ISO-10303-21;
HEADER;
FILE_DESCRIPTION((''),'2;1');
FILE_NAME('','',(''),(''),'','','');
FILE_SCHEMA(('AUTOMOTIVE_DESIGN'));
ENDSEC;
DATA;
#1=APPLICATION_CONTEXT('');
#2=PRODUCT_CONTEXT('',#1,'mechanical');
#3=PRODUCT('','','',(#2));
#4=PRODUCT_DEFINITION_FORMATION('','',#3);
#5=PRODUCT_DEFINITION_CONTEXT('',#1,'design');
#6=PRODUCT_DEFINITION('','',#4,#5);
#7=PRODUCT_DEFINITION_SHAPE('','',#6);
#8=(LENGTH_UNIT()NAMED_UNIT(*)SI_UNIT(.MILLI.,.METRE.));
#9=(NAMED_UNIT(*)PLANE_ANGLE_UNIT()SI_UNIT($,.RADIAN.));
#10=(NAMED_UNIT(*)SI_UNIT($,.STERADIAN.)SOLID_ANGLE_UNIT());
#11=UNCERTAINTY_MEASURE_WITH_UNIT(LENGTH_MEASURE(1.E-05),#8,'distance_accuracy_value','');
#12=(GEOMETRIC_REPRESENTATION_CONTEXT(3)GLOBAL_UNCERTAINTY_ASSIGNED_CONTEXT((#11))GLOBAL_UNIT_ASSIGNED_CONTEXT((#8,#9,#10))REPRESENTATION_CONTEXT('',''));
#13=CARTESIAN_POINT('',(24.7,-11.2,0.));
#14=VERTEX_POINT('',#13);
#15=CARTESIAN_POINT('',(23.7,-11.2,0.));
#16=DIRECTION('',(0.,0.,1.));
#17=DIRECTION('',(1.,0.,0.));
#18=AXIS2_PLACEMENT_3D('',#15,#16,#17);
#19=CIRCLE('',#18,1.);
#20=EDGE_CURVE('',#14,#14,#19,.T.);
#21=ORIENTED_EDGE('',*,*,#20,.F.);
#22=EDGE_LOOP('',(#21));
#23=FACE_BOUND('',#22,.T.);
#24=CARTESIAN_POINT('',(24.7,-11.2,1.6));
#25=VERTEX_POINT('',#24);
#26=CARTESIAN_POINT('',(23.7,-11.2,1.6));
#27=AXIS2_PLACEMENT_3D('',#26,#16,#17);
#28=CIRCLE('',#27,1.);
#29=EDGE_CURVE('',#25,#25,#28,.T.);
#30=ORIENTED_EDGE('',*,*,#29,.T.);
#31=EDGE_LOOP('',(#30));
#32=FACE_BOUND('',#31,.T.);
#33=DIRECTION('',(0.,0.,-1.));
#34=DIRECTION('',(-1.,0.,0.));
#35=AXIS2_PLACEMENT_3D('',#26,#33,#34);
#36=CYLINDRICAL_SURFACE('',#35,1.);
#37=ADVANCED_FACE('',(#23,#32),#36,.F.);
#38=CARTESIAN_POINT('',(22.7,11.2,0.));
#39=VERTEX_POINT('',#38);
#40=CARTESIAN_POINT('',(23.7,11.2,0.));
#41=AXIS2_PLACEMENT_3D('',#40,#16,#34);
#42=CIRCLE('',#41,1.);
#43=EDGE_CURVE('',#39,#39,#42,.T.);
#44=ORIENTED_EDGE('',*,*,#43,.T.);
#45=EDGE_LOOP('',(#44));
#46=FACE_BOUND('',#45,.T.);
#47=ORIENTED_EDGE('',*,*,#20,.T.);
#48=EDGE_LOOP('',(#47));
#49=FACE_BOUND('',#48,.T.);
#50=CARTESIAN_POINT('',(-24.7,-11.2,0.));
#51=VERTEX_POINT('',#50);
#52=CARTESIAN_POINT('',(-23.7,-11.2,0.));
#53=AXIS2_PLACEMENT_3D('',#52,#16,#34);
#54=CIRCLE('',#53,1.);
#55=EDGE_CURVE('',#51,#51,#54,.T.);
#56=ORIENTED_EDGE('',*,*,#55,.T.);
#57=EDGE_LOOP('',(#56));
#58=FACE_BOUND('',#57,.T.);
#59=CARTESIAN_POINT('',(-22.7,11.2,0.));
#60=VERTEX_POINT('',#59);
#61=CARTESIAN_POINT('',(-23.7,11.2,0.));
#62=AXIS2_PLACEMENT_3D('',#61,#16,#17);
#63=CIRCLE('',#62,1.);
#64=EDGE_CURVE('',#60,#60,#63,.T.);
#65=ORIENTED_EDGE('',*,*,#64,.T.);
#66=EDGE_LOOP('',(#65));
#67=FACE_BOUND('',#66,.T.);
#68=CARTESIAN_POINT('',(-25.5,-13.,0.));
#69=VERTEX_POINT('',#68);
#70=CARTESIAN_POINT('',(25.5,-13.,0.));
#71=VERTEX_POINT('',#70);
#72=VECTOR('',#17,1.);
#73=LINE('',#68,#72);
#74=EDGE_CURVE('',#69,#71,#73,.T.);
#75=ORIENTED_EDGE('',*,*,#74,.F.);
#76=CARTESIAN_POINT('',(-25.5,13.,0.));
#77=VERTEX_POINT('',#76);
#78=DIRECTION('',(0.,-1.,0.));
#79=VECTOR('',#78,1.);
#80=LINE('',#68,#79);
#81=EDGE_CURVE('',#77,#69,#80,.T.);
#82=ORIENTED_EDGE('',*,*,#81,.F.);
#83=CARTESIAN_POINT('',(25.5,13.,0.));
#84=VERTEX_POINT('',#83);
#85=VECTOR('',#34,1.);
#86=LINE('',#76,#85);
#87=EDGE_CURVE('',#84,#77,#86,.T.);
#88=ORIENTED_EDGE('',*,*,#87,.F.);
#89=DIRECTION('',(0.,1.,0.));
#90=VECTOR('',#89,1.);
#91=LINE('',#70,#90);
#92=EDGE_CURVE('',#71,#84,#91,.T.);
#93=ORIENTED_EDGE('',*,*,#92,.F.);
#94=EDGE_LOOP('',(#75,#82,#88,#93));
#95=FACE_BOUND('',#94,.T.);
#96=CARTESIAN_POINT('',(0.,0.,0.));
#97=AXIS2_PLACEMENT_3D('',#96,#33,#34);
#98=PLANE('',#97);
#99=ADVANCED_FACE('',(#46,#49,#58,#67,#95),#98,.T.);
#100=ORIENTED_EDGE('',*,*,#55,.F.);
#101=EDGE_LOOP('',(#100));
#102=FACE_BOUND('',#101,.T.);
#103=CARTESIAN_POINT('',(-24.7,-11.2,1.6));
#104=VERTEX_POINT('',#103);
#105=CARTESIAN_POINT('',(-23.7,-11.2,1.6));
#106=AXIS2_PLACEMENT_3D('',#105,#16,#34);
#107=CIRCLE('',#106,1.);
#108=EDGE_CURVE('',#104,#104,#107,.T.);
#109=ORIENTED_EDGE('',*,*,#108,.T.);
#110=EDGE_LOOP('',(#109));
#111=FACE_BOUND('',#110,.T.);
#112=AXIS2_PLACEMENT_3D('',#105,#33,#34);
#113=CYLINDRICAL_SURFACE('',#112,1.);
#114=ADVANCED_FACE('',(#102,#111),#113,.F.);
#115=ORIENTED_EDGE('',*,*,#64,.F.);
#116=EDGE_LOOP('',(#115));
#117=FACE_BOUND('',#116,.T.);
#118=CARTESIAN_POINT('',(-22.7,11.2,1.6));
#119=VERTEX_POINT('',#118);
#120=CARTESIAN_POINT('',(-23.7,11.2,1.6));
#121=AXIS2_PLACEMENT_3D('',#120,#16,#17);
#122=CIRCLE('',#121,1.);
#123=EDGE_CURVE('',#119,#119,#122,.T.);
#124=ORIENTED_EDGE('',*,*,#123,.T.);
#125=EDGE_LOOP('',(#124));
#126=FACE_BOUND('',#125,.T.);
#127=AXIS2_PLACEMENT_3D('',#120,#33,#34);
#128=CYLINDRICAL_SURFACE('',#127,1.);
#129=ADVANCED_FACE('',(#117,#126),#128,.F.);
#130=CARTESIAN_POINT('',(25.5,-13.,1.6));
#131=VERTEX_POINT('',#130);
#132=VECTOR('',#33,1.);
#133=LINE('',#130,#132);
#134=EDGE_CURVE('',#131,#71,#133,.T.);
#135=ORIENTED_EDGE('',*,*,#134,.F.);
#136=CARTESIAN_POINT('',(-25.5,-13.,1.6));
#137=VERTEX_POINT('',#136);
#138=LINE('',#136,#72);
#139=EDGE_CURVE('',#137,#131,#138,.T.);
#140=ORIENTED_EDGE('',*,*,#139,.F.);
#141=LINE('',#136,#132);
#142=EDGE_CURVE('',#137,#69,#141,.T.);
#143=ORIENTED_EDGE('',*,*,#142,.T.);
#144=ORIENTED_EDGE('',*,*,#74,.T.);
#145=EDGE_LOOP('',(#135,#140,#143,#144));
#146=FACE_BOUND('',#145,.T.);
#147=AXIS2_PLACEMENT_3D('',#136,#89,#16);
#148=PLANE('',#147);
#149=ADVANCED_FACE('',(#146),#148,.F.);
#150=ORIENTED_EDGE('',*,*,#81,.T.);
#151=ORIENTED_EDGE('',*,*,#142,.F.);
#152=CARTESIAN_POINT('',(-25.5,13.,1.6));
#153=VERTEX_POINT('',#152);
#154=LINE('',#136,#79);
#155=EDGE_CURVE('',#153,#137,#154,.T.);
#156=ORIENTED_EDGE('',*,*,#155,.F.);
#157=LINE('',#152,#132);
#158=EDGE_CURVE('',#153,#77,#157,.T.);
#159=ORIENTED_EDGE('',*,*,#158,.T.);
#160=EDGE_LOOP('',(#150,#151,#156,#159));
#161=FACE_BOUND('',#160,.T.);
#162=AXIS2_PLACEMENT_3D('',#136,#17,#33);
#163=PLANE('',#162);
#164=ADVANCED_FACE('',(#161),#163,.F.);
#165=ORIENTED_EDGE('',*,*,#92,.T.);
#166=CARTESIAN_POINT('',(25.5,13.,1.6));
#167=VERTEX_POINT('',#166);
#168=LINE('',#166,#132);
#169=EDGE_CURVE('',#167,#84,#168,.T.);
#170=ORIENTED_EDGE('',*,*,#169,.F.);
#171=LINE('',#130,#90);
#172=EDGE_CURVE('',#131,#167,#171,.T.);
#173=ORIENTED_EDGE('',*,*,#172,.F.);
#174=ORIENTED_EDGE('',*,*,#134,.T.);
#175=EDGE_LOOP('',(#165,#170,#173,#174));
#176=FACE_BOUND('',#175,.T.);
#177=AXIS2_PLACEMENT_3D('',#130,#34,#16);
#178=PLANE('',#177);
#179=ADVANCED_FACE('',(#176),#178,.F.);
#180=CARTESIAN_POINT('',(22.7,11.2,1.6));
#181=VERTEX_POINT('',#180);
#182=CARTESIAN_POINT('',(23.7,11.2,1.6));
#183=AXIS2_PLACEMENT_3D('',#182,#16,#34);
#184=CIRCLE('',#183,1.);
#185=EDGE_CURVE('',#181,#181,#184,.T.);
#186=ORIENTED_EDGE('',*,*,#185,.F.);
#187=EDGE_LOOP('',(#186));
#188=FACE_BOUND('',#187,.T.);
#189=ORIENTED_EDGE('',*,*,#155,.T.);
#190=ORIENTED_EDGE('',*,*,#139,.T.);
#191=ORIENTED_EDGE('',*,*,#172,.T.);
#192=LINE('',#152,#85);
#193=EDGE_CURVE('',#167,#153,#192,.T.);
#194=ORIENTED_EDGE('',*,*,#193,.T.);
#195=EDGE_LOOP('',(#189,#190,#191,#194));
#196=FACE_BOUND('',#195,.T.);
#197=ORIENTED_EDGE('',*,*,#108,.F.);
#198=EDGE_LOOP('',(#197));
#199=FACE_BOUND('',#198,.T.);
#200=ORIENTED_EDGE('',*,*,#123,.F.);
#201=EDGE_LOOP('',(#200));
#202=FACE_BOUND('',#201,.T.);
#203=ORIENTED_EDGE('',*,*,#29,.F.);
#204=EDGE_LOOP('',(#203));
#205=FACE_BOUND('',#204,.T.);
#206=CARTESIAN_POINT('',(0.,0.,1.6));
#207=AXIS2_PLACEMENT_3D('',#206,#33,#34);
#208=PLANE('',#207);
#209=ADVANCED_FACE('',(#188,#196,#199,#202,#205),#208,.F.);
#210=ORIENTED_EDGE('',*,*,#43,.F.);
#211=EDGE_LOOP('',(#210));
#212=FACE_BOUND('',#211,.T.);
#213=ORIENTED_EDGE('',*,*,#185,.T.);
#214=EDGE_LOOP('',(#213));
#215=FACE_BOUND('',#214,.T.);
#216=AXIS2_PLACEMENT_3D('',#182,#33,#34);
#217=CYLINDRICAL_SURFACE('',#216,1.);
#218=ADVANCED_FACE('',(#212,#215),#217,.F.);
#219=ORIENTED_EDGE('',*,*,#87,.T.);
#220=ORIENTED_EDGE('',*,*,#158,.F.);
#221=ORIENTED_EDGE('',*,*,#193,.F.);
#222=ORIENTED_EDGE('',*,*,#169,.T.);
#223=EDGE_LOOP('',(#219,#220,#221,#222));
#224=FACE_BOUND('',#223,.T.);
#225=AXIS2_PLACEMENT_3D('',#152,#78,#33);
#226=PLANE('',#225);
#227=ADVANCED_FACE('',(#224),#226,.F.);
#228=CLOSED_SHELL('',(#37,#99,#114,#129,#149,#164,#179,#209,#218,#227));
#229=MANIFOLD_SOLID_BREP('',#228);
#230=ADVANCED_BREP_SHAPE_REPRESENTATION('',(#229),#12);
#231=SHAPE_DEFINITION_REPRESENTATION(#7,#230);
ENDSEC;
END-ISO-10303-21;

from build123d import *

# Parameters (mm, degrees)
SKETCH1_W           = 51
SKETCH1_H           = 26
SKETCH1_R           = 1
BOSS_EXTRUDE1_DEPTH = 1.6


with BuildPart() as part:
    # Sketch1 → Boss-Extrude1 (new body)
    with BuildSketch(Plane.XY):
        Rectangle(SKETCH1_W, SKETCH1_H)
        with Locations((-23.7, 11.2)):
            Circle(SKETCH1_R, mode=Mode.SUBTRACT)
        with Locations((-23.7, -11.2)):
            Circle(SKETCH1_R, mode=Mode.SUBTRACT)
        with Locations((23.7, -11.2)):
            Circle(SKETCH1_R, mode=Mode.SUBTRACT)
        with Locations((23.7, 11.2)):
            Circle(SKETCH1_R, mode=Mode.SUBTRACT)
    extrude(amount=BOSS_EXTRUDE1_DEPTH)


solid = part.part
